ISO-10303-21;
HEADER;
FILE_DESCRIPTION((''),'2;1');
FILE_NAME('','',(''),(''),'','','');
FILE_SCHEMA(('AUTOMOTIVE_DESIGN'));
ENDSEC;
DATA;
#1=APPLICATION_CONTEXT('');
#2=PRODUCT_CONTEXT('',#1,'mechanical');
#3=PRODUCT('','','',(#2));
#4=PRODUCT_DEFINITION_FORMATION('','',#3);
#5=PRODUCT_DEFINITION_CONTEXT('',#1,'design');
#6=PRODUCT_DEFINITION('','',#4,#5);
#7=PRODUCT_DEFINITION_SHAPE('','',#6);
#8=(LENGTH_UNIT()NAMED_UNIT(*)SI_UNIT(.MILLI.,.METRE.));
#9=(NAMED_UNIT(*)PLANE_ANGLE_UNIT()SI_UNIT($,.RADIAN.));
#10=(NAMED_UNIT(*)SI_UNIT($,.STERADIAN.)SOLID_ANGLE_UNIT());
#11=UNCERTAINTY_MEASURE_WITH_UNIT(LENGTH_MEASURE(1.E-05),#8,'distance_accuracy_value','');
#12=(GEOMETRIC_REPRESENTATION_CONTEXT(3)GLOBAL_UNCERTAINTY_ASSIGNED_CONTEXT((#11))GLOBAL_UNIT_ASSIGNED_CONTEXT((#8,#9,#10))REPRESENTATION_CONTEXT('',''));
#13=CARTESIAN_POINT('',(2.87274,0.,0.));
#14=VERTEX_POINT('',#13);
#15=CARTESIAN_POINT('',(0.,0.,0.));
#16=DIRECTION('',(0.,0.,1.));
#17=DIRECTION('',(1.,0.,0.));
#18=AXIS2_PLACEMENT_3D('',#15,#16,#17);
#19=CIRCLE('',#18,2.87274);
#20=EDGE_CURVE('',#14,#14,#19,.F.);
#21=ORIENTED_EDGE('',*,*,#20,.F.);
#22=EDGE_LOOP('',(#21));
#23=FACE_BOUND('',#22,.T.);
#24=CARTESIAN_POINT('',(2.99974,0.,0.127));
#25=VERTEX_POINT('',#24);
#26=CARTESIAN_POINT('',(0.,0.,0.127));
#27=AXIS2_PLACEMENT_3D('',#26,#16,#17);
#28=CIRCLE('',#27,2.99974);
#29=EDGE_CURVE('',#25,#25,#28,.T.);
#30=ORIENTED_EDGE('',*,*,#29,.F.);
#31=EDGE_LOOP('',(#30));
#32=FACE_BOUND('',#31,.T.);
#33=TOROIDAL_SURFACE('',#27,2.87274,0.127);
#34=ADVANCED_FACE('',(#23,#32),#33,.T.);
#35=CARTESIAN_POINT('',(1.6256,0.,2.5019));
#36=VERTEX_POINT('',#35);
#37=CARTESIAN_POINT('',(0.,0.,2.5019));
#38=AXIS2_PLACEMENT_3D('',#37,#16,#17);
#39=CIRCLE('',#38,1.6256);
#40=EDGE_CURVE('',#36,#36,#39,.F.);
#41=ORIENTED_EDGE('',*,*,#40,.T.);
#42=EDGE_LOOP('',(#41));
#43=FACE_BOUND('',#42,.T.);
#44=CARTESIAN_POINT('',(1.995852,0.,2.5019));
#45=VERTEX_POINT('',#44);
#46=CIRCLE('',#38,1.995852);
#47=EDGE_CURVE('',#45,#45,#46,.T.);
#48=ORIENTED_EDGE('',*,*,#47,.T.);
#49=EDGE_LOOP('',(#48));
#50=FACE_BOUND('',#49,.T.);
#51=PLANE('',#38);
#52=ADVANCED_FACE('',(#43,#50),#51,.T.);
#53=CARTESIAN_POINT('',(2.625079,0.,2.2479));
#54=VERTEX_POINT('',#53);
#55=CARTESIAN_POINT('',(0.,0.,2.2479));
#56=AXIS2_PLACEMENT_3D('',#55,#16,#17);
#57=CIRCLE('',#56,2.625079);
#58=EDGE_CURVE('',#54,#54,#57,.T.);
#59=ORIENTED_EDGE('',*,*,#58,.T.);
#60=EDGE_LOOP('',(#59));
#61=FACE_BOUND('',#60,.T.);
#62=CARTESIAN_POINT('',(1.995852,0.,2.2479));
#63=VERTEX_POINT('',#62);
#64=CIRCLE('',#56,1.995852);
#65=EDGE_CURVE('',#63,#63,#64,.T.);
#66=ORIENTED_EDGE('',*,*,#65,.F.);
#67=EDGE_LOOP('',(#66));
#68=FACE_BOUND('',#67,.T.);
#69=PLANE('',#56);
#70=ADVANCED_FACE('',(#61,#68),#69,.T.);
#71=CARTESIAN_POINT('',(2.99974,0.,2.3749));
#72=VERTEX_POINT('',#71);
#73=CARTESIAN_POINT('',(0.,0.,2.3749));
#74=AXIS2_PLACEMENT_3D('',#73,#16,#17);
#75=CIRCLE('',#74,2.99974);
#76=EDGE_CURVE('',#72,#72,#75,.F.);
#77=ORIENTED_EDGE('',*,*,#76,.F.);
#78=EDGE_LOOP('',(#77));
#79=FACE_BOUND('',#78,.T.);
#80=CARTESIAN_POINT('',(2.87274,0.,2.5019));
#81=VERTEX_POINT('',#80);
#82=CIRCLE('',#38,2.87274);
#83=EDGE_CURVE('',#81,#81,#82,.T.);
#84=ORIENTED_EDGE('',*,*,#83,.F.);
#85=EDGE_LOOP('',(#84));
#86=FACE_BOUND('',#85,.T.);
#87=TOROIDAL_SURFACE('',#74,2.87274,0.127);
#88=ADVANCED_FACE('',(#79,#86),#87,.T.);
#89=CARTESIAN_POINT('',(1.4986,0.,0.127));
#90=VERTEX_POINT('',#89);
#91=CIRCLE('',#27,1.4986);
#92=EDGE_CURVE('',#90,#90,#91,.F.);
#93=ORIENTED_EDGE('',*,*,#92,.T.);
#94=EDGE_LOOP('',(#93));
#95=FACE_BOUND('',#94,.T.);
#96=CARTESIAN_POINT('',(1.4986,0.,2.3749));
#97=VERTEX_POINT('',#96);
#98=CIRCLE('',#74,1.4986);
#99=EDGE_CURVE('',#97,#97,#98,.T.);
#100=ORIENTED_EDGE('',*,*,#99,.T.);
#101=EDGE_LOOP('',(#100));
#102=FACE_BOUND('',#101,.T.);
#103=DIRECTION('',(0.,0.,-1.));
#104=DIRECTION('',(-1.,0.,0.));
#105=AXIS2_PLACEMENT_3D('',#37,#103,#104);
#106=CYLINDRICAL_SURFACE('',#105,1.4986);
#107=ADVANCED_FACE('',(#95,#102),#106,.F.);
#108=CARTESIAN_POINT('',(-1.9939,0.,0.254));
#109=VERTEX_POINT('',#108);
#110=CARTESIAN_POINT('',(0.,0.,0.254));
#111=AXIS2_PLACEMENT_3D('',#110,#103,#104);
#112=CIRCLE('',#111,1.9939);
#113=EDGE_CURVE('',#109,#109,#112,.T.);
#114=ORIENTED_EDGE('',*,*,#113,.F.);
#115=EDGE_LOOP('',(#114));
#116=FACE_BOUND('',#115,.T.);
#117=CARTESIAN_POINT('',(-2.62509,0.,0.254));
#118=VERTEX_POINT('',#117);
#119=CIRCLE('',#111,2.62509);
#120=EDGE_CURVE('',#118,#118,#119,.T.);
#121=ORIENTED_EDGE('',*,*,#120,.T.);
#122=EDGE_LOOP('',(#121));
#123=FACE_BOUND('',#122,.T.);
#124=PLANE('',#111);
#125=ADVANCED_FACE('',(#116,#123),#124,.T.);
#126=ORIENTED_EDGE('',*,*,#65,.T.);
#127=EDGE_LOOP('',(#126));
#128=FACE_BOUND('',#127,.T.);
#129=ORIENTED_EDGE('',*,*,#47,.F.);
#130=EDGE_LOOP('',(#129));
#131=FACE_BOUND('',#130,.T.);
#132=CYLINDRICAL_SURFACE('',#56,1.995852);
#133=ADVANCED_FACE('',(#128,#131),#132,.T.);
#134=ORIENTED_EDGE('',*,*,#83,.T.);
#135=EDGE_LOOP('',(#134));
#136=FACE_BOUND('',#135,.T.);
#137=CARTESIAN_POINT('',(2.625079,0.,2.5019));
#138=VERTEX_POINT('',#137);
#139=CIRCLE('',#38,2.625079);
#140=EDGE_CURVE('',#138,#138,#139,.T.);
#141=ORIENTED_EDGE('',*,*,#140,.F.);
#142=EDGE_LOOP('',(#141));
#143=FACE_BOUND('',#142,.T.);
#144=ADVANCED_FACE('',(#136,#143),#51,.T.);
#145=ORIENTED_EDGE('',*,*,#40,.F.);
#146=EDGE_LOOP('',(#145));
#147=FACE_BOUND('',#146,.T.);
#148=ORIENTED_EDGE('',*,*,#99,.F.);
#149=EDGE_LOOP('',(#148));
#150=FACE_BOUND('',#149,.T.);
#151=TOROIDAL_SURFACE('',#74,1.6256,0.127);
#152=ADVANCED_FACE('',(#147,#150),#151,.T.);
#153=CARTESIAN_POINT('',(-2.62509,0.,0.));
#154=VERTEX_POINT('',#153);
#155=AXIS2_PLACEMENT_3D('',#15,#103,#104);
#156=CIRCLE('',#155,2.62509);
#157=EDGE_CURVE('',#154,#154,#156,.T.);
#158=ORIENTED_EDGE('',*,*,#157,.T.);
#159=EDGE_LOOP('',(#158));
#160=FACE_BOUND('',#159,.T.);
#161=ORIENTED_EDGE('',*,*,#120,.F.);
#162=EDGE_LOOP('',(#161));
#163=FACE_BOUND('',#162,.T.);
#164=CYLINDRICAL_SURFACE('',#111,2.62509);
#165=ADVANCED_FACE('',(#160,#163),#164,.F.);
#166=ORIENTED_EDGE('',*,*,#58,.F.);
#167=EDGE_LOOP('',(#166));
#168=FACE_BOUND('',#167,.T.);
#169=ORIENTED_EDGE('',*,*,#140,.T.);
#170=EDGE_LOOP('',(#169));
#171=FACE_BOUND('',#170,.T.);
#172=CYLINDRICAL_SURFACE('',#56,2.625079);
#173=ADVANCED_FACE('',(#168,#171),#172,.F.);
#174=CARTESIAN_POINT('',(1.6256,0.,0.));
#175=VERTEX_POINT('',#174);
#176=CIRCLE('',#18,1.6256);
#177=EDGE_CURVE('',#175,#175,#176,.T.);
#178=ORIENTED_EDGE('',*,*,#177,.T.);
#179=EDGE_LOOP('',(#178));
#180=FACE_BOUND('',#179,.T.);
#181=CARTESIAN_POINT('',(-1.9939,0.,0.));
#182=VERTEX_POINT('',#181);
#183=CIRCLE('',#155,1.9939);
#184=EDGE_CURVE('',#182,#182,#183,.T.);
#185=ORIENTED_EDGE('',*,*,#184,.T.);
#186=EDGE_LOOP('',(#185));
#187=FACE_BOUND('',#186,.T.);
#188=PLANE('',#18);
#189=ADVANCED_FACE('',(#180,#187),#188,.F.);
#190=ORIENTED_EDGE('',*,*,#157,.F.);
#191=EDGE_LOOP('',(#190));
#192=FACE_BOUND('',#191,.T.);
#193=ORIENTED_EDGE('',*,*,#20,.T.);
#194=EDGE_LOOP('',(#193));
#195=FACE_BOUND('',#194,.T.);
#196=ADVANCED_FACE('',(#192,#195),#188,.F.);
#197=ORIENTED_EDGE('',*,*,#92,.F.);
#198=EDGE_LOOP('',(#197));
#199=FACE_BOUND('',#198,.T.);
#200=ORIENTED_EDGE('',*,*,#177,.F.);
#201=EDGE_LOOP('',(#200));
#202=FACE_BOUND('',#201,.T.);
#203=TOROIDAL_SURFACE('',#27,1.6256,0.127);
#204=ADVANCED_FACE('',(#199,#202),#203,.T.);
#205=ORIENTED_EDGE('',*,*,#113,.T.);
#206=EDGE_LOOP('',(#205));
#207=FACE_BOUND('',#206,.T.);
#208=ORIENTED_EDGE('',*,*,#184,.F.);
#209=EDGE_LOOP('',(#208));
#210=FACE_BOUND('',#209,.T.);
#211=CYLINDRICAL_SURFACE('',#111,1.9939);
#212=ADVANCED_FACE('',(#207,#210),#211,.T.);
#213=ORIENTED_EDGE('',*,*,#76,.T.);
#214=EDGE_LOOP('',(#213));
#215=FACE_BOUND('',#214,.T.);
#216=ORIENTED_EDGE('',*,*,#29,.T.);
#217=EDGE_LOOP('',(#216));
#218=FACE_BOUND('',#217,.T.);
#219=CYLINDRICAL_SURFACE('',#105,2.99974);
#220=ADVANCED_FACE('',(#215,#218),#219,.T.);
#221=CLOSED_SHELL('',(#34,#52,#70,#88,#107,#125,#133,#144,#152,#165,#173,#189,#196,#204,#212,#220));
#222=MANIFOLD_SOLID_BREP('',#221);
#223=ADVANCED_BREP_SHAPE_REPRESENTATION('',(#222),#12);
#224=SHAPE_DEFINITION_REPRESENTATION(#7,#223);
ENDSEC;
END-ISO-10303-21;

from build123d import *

# Parameters (mm, degrees)
SKETCH1_R          = 2.99974
SKETCH1_R_2        = 1.4986
EXTRUDE1_DEPTH     = 2.5019
FILLET1_R          = 0.127
SKETCH2_R          = 2.625078694
SKETCH2_R_2        = 1.99585199
CUT_EXTRUDE1_DEPTH = 0.254
SKETCH3_R          = 2.62509
SKETCH3_R_2        = 1.9939
CUT_EXTRUDE2_DEPTH = 0.254


with BuildPart() as part:
    # Sketch1 → Extrude1 (new body)
    with BuildSketch(Plane.XY):
        Circle(SKETCH1_R)
        Circle(SKETCH1_R_2, mode=Mode.SUBTRACT)
    extrude(amount=EXTRUDE1_DEPTH)

    # Fillet1
    fillet1_edges = [part.edges().sort_by_distance(p)[0] for p in [
        (-2.99974, 0, 0),
        (-2.99974, 0, 2.5019),
        (-1.4986, 0, 0),
        (-1.4986, 0, 2.5019),
    ]]
    fillet(fillet1_edges, radius=FILLET1_R)

    # Sketch2 → Cut-Extrude1 (cut)
    with BuildSketch(Plane.XY.offset(2.5019)):
        Circle(SKETCH2_R)
        Circle(SKETCH2_R_2, mode=Mode.SUBTRACT)
    extrude(amount=-CUT_EXTRUDE1_DEPTH, mode=Mode.SUBTRACT)

    # Sketch3 → Cut-Extrude2 (cut)
    with BuildSketch(Plane(origin=(0, 0, 0), x_dir=(-1, 0, 0), z_dir=(0, 0, -1))):
        Circle(SKETCH3_R)
        Circle(SKETCH3_R_2, mode=Mode.SUBTRACT)
    extrude(amount=-CUT_EXTRUDE2_DEPTH, mode=Mode.SUBTRACT)


solid = part.part
